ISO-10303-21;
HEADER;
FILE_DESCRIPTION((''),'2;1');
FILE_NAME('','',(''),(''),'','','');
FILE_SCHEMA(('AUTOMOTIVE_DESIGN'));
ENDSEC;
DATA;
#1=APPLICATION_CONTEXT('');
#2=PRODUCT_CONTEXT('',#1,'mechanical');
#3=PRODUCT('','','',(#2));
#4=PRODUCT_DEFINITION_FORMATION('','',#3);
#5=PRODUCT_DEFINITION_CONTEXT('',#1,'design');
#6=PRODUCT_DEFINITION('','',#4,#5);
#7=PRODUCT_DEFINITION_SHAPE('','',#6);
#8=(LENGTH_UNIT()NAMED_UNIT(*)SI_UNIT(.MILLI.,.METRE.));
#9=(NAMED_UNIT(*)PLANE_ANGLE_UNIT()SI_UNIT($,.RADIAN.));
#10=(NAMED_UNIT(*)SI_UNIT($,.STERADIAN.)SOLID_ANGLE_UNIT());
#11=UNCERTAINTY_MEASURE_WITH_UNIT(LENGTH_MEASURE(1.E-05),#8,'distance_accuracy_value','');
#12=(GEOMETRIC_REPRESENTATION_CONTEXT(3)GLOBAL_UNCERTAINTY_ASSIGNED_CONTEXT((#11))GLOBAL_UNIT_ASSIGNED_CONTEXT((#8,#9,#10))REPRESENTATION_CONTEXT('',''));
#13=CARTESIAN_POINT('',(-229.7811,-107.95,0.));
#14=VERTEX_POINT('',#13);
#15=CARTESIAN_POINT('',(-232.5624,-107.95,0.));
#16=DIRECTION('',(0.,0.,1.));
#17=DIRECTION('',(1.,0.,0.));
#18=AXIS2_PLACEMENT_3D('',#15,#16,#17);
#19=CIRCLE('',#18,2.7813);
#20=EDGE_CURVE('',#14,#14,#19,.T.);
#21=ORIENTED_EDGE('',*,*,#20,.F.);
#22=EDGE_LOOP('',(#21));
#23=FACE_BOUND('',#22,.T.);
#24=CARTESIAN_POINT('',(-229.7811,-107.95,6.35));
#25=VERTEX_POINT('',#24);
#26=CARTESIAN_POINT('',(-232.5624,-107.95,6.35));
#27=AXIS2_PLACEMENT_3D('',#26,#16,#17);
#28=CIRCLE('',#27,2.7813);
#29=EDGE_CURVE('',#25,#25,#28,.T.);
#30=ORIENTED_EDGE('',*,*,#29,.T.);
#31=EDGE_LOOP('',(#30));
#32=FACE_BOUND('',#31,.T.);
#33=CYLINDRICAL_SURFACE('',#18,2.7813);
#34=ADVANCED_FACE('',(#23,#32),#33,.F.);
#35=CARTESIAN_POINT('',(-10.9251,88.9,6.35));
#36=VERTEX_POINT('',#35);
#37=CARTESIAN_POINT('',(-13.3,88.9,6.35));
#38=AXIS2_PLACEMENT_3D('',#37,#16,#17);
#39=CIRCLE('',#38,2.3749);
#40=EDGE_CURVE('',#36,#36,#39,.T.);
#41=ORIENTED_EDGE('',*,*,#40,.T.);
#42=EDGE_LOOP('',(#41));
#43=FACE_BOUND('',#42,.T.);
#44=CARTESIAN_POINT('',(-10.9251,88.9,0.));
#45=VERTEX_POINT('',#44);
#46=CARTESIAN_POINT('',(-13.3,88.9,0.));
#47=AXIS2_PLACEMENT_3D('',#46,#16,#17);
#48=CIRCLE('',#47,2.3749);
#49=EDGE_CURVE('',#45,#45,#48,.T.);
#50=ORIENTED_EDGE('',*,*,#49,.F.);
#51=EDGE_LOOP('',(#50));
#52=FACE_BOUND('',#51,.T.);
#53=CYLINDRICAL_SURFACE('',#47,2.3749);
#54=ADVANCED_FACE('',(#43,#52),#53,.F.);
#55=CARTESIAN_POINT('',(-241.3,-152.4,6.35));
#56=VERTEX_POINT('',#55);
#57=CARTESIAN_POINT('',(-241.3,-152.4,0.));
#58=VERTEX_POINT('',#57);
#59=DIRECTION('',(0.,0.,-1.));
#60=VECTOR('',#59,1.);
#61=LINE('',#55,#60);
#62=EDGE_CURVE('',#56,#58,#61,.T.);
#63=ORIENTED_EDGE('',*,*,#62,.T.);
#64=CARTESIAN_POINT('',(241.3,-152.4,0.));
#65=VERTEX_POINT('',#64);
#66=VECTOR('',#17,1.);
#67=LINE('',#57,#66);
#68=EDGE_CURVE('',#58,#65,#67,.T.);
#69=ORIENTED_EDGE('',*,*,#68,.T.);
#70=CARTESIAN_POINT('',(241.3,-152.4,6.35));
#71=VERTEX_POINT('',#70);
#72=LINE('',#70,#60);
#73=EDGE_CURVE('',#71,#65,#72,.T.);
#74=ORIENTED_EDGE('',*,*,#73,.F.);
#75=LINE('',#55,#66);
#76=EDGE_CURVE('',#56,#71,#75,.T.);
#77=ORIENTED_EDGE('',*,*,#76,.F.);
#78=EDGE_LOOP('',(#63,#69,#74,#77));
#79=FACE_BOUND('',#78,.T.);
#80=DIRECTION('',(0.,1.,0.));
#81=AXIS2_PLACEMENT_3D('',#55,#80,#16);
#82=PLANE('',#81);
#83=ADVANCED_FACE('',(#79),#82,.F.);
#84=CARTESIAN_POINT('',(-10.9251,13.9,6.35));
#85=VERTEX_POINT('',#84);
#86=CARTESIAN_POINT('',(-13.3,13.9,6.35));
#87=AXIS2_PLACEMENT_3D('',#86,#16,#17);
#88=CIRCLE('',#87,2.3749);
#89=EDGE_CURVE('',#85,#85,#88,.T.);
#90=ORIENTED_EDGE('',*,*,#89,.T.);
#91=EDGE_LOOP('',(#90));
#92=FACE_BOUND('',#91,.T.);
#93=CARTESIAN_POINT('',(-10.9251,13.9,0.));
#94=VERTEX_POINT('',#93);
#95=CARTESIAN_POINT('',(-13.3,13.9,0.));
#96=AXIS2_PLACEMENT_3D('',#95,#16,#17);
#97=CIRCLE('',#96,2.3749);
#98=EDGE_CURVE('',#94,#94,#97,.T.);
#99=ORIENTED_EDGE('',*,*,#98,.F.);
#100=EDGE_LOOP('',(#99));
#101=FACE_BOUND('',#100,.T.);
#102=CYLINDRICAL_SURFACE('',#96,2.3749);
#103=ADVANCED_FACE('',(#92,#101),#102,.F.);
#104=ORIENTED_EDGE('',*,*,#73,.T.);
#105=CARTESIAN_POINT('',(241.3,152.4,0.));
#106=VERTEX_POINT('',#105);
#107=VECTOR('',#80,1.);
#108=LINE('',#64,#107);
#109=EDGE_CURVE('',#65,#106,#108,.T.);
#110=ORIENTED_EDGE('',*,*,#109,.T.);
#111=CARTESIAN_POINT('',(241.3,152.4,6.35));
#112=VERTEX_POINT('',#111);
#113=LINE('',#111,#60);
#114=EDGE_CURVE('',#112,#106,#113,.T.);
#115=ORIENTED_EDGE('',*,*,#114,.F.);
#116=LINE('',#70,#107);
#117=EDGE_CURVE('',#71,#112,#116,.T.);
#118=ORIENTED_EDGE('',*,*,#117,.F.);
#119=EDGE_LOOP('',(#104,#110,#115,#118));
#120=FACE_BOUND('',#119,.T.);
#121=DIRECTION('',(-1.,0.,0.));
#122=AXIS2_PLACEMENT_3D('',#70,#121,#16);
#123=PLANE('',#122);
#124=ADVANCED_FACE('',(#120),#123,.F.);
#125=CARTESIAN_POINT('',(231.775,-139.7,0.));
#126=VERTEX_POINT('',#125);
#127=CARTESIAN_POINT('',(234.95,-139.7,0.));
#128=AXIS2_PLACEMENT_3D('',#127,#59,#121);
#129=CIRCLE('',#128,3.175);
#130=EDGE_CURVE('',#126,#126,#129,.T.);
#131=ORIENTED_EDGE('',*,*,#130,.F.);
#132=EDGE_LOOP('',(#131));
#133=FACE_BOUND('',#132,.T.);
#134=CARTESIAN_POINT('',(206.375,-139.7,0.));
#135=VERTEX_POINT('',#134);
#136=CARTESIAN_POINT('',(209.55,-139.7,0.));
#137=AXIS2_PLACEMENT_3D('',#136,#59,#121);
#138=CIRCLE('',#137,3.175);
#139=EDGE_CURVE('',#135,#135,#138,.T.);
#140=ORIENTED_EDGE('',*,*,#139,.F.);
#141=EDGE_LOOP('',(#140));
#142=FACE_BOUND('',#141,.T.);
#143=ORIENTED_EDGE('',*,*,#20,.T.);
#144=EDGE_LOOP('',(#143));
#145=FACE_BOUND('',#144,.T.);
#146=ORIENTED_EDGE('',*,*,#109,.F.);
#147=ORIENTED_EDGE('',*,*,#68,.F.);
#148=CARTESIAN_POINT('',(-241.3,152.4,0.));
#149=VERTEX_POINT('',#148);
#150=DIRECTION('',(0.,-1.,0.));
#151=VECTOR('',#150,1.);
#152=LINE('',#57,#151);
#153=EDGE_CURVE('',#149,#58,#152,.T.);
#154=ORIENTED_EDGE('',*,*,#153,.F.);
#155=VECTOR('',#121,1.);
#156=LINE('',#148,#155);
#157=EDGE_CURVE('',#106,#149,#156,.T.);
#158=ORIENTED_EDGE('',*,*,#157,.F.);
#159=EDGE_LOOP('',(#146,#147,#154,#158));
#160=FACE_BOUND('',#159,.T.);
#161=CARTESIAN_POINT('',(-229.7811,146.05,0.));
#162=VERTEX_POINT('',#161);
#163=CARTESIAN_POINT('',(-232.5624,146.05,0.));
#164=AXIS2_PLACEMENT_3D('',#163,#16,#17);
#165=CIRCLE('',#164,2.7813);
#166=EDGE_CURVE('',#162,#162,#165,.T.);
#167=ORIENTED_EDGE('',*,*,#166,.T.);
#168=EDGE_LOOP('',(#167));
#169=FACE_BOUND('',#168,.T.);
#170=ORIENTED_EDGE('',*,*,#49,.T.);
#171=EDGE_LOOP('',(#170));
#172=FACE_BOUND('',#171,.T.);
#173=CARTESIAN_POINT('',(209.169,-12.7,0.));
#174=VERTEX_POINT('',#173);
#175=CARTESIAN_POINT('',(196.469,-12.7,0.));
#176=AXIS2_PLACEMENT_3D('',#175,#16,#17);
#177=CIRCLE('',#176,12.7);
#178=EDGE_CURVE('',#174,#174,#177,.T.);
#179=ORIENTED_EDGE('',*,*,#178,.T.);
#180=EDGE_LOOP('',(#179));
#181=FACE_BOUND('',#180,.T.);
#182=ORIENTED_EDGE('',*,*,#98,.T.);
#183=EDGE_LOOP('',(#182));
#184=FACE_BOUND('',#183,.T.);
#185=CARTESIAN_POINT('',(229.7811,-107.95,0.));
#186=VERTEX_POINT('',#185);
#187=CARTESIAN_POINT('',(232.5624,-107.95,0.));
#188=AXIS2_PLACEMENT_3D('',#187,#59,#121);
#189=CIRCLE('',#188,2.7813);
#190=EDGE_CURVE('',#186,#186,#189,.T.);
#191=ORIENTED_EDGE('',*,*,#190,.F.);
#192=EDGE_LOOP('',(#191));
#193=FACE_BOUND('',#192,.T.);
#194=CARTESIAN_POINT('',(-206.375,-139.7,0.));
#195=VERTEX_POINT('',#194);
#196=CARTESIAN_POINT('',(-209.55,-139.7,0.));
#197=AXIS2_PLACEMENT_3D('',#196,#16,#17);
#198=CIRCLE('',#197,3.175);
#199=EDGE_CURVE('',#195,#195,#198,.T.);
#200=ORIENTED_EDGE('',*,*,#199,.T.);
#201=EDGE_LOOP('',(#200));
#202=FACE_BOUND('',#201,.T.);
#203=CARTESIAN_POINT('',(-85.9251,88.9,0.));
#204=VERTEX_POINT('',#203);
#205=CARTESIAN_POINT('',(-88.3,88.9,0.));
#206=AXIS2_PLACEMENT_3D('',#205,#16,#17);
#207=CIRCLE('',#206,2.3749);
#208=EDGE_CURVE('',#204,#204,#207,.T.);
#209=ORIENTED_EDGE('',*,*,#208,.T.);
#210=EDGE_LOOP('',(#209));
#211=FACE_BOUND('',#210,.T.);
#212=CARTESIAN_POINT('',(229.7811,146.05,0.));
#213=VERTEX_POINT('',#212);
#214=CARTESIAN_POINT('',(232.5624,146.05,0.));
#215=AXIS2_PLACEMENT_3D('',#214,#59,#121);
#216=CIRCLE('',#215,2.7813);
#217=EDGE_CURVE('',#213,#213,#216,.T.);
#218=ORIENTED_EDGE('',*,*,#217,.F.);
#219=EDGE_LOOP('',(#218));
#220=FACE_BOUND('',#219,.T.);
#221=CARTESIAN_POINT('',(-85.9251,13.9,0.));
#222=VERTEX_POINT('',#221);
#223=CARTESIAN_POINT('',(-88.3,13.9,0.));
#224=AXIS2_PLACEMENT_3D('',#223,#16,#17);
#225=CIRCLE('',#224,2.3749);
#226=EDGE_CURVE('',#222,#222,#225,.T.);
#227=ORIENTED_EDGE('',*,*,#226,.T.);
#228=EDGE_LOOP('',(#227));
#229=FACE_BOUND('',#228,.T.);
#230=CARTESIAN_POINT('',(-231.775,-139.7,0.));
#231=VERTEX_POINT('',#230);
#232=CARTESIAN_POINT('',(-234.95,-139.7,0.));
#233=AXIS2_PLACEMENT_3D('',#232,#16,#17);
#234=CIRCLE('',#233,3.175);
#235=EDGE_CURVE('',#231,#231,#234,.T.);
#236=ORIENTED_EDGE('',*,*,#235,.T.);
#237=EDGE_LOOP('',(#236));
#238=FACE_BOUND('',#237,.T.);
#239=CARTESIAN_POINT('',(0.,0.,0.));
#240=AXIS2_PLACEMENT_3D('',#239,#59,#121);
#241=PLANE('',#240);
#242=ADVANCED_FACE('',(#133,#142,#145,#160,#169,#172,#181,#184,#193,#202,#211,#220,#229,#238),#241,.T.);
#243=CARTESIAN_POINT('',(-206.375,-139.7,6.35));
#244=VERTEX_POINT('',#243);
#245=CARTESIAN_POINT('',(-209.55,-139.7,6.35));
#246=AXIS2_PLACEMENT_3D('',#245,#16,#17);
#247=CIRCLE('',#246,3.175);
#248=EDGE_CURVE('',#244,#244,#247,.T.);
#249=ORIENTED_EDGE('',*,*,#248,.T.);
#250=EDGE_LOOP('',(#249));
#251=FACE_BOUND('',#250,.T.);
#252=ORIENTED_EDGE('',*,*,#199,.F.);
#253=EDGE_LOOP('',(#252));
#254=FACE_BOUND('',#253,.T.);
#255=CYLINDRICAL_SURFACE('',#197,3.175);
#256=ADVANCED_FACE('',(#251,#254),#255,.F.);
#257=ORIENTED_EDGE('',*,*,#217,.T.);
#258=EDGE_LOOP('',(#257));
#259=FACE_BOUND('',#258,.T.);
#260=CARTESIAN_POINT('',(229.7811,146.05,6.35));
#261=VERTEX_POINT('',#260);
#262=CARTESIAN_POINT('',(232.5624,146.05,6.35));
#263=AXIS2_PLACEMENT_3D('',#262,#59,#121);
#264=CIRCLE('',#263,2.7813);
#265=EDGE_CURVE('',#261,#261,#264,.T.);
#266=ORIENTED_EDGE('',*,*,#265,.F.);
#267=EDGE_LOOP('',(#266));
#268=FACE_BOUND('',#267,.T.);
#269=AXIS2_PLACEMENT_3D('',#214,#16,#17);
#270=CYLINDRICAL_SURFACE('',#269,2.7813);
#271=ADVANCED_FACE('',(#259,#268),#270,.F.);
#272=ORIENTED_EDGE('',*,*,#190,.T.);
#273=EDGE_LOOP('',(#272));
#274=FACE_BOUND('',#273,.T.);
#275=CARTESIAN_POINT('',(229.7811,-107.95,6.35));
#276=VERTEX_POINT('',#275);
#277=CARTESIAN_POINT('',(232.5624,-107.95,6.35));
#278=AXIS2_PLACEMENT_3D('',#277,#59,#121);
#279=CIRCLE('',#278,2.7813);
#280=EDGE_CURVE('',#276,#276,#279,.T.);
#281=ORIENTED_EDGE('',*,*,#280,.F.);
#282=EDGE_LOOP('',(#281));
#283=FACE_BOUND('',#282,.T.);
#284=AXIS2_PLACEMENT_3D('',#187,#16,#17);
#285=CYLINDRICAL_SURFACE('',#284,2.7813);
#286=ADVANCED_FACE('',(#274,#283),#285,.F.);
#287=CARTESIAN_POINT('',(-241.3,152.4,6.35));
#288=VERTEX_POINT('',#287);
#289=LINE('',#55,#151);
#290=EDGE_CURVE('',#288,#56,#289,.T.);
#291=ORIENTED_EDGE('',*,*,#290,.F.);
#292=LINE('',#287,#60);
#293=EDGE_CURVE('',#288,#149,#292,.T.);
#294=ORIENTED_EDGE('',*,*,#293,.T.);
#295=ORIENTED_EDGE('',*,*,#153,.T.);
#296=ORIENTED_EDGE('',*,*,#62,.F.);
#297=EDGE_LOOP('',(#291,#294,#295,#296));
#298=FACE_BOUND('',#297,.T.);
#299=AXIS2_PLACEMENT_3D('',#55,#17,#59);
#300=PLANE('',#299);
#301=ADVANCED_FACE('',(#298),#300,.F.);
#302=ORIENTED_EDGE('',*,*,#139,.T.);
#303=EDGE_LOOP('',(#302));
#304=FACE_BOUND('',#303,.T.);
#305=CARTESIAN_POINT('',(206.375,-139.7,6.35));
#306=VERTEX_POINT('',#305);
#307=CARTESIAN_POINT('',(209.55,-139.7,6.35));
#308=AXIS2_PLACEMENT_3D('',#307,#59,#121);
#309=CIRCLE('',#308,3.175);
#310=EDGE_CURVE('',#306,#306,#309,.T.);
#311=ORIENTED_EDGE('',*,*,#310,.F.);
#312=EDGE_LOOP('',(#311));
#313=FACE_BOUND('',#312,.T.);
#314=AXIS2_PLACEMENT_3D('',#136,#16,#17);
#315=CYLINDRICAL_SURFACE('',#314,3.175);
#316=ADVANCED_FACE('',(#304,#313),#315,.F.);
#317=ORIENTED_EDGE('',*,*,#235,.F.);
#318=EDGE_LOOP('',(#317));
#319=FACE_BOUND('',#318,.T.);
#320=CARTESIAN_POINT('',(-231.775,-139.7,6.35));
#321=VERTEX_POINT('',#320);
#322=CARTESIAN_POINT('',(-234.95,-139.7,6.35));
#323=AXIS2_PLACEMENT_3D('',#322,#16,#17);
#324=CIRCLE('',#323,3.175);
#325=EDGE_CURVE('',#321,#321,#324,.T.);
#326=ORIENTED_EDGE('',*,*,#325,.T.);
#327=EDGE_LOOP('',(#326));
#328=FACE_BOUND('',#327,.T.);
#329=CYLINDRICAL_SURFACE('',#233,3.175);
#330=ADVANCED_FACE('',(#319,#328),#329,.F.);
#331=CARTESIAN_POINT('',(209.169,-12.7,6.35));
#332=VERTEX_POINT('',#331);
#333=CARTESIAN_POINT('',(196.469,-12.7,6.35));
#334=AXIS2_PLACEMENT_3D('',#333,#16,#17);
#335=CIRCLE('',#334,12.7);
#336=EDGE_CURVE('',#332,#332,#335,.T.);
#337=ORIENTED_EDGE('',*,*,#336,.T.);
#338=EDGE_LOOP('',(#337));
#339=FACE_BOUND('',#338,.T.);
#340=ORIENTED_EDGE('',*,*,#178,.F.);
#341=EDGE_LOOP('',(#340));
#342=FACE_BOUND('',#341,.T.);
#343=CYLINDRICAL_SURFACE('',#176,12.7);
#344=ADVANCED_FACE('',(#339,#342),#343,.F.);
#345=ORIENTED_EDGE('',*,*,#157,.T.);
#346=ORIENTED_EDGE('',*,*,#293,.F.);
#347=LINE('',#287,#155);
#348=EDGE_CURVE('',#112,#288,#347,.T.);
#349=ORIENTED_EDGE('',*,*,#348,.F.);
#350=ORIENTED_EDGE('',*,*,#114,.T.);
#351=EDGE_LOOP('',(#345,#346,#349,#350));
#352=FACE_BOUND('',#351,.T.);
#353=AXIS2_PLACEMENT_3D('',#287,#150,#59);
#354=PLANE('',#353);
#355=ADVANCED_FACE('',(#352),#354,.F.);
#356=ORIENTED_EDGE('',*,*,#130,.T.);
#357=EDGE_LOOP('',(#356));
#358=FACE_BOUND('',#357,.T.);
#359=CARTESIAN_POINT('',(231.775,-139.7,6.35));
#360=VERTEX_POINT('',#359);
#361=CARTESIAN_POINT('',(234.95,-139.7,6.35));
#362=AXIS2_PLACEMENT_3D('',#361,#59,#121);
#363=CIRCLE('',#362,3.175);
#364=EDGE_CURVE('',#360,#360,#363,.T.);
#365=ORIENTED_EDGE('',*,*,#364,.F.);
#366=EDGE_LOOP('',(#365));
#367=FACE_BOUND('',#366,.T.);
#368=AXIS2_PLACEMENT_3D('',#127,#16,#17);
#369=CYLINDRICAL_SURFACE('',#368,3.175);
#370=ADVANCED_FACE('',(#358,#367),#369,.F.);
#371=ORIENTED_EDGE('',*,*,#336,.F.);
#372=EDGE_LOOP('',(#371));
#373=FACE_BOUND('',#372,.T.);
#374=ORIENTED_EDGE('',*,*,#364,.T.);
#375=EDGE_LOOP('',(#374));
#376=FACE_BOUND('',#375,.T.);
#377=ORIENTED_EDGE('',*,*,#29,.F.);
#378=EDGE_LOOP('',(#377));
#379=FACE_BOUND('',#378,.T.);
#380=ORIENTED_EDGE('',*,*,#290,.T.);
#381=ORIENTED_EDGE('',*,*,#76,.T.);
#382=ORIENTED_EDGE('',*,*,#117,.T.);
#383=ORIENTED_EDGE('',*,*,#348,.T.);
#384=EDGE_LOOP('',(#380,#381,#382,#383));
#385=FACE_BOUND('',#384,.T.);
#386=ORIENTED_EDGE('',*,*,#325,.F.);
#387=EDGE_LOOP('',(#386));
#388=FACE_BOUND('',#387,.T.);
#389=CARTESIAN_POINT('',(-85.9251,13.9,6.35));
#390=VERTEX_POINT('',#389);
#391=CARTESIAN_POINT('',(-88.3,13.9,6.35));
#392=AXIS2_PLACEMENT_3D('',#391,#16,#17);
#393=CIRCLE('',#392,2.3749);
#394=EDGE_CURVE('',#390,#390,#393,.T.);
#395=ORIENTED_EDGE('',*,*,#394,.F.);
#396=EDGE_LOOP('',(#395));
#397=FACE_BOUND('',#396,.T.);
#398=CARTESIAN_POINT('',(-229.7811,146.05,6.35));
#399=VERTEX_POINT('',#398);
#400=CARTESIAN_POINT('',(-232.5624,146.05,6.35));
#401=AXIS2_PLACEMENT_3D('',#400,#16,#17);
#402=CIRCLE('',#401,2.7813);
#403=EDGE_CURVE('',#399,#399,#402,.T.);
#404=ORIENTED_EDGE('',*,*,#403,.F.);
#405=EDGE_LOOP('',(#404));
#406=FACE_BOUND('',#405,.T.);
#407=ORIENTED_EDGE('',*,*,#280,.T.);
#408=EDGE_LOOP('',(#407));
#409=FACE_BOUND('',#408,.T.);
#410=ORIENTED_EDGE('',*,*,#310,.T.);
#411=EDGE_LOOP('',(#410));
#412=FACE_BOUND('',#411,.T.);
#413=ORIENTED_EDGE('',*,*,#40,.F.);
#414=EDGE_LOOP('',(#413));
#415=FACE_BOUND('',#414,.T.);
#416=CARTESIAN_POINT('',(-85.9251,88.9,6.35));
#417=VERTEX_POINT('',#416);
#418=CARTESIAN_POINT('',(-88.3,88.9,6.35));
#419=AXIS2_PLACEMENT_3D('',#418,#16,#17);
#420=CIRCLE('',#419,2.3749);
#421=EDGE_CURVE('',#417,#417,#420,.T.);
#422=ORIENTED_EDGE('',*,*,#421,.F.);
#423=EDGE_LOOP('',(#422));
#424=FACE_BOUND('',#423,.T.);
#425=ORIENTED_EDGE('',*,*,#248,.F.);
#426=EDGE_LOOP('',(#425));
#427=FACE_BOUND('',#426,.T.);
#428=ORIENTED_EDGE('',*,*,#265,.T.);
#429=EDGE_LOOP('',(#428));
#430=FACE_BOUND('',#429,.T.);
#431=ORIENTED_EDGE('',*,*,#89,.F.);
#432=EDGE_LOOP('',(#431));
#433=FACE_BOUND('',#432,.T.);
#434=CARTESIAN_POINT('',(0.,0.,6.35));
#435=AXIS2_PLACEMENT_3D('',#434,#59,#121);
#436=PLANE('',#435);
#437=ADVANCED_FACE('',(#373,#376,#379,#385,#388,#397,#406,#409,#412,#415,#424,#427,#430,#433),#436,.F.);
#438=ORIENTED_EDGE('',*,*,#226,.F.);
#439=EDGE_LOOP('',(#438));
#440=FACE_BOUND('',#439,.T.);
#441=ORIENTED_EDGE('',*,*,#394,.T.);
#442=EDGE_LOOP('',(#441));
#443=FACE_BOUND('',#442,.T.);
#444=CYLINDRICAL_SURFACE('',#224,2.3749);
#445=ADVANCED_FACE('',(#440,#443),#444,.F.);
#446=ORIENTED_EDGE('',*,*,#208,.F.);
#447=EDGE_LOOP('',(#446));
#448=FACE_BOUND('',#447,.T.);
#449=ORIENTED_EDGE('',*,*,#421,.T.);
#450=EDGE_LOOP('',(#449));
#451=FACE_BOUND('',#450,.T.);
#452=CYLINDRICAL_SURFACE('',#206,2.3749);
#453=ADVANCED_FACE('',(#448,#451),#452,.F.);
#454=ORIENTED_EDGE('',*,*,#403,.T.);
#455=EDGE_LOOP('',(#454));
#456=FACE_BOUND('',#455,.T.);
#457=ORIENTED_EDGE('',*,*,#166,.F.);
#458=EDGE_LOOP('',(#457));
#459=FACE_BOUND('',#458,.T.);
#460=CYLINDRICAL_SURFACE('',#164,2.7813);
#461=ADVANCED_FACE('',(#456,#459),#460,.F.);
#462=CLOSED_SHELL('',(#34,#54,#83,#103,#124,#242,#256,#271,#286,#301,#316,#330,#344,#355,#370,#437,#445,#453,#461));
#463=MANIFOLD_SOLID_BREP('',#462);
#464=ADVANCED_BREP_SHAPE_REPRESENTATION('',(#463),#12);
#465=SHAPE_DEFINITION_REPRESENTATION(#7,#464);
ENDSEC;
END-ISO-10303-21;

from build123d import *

# Parameters (mm, degrees)
SKETCH1_W           = 482.6
SKETCH1_H           = 304.8
BOSS_EXTRUDE1_DEPTH = 6.35
SKETCH2_R           = 2.7813
CUT_EXTRUDE1_DEPTH  = 286.467638271
SKETCH3_R           = 3.175
CUT_EXTRUDE2_DEPTH  = 286.467638271
SKETCH4_R           = 12.7
CUT_EXTRUDE3_DEPTH  = 286.467638271
SKETCH5_R           = 2.3749
CUT_EXTRUDE4_DEPTH  = 286.467638271


with BuildPart() as part:
    # Sketch1 → Boss-Extrude1 (new body)
    with BuildSketch(Plane.XY):
        Rectangle(SKETCH1_W, SKETCH1_H)
    extrude(amount=BOSS_EXTRUDE1_DEPTH)

    # Sketch2 → Cut-Extrude1 (cut, through all)
    with BuildSketch(Plane.XY.offset(6.35)):
        with Locations((-232.5624, 146.05)):
            Circle(SKETCH2_R)
        with Locations((-232.5624, -107.95)):
            Circle(SKETCH2_R)
    cut_extrude1 = extrude(amount=-CUT_EXTRUDE1_DEPTH, mode=Mode.SUBTRACT)

    # Mirror1: Cut-Extrude1 across plane
    add(cut_extrude1.mirror(Plane(origin=(0, 0, 0), x_dir=(0, 0, 1), z_dir=(1, 0, 0))), mode=Mode.SUBTRACT)

    # Sketch3 → Cut-Extrude2 (cut, through all)
    with BuildSketch(Plane.XY.offset(6.35)):
        with Locations((-234.95, -139.7)):
            Circle(SKETCH3_R)
        with Locations((-209.55, -139.7)):
            Circle(SKETCH3_R)
    cut_extrude2 = extrude(amount=-CUT_EXTRUDE2_DEPTH, mode=Mode.SUBTRACT)

    # Mirror2: Cut-Extrude2 across plane
    add(cut_extrude2.mirror(Plane(origin=(0, 0, 0), x_dir=(0, 0, 1), z_dir=(1, 0, 0))), mode=Mode.SUBTRACT)

    # Sketch4 → Cut-Extrude3 (cut, through all)
    with BuildSketch(Plane.XY.offset(6.35)):
        with Locations((196.469, -12.7)):
            Circle(SKETCH4_R)
    extrude(amount=-CUT_EXTRUDE3_DEPTH, mode=Mode.SUBTRACT)

    # Sketch5 → Cut-Extrude4 (cut, through all)
    with BuildSketch(Plane.XY.offset(6.35)):
        with Locations((-88.3, 88.9)):
            Circle(SKETCH5_R)
        with Locations((-13.3, 88.9)):
            Circle(SKETCH5_R)
        with Locations((-13.3, 13.9)):
            Circle(SKETCH5_R)
        with Locations((-88.3, 13.9)):
            Circle(SKETCH5_R)
    extrude(amount=-CUT_EXTRUDE4_DEPTH, mode=Mode.SUBTRACT)


solid = part.part
